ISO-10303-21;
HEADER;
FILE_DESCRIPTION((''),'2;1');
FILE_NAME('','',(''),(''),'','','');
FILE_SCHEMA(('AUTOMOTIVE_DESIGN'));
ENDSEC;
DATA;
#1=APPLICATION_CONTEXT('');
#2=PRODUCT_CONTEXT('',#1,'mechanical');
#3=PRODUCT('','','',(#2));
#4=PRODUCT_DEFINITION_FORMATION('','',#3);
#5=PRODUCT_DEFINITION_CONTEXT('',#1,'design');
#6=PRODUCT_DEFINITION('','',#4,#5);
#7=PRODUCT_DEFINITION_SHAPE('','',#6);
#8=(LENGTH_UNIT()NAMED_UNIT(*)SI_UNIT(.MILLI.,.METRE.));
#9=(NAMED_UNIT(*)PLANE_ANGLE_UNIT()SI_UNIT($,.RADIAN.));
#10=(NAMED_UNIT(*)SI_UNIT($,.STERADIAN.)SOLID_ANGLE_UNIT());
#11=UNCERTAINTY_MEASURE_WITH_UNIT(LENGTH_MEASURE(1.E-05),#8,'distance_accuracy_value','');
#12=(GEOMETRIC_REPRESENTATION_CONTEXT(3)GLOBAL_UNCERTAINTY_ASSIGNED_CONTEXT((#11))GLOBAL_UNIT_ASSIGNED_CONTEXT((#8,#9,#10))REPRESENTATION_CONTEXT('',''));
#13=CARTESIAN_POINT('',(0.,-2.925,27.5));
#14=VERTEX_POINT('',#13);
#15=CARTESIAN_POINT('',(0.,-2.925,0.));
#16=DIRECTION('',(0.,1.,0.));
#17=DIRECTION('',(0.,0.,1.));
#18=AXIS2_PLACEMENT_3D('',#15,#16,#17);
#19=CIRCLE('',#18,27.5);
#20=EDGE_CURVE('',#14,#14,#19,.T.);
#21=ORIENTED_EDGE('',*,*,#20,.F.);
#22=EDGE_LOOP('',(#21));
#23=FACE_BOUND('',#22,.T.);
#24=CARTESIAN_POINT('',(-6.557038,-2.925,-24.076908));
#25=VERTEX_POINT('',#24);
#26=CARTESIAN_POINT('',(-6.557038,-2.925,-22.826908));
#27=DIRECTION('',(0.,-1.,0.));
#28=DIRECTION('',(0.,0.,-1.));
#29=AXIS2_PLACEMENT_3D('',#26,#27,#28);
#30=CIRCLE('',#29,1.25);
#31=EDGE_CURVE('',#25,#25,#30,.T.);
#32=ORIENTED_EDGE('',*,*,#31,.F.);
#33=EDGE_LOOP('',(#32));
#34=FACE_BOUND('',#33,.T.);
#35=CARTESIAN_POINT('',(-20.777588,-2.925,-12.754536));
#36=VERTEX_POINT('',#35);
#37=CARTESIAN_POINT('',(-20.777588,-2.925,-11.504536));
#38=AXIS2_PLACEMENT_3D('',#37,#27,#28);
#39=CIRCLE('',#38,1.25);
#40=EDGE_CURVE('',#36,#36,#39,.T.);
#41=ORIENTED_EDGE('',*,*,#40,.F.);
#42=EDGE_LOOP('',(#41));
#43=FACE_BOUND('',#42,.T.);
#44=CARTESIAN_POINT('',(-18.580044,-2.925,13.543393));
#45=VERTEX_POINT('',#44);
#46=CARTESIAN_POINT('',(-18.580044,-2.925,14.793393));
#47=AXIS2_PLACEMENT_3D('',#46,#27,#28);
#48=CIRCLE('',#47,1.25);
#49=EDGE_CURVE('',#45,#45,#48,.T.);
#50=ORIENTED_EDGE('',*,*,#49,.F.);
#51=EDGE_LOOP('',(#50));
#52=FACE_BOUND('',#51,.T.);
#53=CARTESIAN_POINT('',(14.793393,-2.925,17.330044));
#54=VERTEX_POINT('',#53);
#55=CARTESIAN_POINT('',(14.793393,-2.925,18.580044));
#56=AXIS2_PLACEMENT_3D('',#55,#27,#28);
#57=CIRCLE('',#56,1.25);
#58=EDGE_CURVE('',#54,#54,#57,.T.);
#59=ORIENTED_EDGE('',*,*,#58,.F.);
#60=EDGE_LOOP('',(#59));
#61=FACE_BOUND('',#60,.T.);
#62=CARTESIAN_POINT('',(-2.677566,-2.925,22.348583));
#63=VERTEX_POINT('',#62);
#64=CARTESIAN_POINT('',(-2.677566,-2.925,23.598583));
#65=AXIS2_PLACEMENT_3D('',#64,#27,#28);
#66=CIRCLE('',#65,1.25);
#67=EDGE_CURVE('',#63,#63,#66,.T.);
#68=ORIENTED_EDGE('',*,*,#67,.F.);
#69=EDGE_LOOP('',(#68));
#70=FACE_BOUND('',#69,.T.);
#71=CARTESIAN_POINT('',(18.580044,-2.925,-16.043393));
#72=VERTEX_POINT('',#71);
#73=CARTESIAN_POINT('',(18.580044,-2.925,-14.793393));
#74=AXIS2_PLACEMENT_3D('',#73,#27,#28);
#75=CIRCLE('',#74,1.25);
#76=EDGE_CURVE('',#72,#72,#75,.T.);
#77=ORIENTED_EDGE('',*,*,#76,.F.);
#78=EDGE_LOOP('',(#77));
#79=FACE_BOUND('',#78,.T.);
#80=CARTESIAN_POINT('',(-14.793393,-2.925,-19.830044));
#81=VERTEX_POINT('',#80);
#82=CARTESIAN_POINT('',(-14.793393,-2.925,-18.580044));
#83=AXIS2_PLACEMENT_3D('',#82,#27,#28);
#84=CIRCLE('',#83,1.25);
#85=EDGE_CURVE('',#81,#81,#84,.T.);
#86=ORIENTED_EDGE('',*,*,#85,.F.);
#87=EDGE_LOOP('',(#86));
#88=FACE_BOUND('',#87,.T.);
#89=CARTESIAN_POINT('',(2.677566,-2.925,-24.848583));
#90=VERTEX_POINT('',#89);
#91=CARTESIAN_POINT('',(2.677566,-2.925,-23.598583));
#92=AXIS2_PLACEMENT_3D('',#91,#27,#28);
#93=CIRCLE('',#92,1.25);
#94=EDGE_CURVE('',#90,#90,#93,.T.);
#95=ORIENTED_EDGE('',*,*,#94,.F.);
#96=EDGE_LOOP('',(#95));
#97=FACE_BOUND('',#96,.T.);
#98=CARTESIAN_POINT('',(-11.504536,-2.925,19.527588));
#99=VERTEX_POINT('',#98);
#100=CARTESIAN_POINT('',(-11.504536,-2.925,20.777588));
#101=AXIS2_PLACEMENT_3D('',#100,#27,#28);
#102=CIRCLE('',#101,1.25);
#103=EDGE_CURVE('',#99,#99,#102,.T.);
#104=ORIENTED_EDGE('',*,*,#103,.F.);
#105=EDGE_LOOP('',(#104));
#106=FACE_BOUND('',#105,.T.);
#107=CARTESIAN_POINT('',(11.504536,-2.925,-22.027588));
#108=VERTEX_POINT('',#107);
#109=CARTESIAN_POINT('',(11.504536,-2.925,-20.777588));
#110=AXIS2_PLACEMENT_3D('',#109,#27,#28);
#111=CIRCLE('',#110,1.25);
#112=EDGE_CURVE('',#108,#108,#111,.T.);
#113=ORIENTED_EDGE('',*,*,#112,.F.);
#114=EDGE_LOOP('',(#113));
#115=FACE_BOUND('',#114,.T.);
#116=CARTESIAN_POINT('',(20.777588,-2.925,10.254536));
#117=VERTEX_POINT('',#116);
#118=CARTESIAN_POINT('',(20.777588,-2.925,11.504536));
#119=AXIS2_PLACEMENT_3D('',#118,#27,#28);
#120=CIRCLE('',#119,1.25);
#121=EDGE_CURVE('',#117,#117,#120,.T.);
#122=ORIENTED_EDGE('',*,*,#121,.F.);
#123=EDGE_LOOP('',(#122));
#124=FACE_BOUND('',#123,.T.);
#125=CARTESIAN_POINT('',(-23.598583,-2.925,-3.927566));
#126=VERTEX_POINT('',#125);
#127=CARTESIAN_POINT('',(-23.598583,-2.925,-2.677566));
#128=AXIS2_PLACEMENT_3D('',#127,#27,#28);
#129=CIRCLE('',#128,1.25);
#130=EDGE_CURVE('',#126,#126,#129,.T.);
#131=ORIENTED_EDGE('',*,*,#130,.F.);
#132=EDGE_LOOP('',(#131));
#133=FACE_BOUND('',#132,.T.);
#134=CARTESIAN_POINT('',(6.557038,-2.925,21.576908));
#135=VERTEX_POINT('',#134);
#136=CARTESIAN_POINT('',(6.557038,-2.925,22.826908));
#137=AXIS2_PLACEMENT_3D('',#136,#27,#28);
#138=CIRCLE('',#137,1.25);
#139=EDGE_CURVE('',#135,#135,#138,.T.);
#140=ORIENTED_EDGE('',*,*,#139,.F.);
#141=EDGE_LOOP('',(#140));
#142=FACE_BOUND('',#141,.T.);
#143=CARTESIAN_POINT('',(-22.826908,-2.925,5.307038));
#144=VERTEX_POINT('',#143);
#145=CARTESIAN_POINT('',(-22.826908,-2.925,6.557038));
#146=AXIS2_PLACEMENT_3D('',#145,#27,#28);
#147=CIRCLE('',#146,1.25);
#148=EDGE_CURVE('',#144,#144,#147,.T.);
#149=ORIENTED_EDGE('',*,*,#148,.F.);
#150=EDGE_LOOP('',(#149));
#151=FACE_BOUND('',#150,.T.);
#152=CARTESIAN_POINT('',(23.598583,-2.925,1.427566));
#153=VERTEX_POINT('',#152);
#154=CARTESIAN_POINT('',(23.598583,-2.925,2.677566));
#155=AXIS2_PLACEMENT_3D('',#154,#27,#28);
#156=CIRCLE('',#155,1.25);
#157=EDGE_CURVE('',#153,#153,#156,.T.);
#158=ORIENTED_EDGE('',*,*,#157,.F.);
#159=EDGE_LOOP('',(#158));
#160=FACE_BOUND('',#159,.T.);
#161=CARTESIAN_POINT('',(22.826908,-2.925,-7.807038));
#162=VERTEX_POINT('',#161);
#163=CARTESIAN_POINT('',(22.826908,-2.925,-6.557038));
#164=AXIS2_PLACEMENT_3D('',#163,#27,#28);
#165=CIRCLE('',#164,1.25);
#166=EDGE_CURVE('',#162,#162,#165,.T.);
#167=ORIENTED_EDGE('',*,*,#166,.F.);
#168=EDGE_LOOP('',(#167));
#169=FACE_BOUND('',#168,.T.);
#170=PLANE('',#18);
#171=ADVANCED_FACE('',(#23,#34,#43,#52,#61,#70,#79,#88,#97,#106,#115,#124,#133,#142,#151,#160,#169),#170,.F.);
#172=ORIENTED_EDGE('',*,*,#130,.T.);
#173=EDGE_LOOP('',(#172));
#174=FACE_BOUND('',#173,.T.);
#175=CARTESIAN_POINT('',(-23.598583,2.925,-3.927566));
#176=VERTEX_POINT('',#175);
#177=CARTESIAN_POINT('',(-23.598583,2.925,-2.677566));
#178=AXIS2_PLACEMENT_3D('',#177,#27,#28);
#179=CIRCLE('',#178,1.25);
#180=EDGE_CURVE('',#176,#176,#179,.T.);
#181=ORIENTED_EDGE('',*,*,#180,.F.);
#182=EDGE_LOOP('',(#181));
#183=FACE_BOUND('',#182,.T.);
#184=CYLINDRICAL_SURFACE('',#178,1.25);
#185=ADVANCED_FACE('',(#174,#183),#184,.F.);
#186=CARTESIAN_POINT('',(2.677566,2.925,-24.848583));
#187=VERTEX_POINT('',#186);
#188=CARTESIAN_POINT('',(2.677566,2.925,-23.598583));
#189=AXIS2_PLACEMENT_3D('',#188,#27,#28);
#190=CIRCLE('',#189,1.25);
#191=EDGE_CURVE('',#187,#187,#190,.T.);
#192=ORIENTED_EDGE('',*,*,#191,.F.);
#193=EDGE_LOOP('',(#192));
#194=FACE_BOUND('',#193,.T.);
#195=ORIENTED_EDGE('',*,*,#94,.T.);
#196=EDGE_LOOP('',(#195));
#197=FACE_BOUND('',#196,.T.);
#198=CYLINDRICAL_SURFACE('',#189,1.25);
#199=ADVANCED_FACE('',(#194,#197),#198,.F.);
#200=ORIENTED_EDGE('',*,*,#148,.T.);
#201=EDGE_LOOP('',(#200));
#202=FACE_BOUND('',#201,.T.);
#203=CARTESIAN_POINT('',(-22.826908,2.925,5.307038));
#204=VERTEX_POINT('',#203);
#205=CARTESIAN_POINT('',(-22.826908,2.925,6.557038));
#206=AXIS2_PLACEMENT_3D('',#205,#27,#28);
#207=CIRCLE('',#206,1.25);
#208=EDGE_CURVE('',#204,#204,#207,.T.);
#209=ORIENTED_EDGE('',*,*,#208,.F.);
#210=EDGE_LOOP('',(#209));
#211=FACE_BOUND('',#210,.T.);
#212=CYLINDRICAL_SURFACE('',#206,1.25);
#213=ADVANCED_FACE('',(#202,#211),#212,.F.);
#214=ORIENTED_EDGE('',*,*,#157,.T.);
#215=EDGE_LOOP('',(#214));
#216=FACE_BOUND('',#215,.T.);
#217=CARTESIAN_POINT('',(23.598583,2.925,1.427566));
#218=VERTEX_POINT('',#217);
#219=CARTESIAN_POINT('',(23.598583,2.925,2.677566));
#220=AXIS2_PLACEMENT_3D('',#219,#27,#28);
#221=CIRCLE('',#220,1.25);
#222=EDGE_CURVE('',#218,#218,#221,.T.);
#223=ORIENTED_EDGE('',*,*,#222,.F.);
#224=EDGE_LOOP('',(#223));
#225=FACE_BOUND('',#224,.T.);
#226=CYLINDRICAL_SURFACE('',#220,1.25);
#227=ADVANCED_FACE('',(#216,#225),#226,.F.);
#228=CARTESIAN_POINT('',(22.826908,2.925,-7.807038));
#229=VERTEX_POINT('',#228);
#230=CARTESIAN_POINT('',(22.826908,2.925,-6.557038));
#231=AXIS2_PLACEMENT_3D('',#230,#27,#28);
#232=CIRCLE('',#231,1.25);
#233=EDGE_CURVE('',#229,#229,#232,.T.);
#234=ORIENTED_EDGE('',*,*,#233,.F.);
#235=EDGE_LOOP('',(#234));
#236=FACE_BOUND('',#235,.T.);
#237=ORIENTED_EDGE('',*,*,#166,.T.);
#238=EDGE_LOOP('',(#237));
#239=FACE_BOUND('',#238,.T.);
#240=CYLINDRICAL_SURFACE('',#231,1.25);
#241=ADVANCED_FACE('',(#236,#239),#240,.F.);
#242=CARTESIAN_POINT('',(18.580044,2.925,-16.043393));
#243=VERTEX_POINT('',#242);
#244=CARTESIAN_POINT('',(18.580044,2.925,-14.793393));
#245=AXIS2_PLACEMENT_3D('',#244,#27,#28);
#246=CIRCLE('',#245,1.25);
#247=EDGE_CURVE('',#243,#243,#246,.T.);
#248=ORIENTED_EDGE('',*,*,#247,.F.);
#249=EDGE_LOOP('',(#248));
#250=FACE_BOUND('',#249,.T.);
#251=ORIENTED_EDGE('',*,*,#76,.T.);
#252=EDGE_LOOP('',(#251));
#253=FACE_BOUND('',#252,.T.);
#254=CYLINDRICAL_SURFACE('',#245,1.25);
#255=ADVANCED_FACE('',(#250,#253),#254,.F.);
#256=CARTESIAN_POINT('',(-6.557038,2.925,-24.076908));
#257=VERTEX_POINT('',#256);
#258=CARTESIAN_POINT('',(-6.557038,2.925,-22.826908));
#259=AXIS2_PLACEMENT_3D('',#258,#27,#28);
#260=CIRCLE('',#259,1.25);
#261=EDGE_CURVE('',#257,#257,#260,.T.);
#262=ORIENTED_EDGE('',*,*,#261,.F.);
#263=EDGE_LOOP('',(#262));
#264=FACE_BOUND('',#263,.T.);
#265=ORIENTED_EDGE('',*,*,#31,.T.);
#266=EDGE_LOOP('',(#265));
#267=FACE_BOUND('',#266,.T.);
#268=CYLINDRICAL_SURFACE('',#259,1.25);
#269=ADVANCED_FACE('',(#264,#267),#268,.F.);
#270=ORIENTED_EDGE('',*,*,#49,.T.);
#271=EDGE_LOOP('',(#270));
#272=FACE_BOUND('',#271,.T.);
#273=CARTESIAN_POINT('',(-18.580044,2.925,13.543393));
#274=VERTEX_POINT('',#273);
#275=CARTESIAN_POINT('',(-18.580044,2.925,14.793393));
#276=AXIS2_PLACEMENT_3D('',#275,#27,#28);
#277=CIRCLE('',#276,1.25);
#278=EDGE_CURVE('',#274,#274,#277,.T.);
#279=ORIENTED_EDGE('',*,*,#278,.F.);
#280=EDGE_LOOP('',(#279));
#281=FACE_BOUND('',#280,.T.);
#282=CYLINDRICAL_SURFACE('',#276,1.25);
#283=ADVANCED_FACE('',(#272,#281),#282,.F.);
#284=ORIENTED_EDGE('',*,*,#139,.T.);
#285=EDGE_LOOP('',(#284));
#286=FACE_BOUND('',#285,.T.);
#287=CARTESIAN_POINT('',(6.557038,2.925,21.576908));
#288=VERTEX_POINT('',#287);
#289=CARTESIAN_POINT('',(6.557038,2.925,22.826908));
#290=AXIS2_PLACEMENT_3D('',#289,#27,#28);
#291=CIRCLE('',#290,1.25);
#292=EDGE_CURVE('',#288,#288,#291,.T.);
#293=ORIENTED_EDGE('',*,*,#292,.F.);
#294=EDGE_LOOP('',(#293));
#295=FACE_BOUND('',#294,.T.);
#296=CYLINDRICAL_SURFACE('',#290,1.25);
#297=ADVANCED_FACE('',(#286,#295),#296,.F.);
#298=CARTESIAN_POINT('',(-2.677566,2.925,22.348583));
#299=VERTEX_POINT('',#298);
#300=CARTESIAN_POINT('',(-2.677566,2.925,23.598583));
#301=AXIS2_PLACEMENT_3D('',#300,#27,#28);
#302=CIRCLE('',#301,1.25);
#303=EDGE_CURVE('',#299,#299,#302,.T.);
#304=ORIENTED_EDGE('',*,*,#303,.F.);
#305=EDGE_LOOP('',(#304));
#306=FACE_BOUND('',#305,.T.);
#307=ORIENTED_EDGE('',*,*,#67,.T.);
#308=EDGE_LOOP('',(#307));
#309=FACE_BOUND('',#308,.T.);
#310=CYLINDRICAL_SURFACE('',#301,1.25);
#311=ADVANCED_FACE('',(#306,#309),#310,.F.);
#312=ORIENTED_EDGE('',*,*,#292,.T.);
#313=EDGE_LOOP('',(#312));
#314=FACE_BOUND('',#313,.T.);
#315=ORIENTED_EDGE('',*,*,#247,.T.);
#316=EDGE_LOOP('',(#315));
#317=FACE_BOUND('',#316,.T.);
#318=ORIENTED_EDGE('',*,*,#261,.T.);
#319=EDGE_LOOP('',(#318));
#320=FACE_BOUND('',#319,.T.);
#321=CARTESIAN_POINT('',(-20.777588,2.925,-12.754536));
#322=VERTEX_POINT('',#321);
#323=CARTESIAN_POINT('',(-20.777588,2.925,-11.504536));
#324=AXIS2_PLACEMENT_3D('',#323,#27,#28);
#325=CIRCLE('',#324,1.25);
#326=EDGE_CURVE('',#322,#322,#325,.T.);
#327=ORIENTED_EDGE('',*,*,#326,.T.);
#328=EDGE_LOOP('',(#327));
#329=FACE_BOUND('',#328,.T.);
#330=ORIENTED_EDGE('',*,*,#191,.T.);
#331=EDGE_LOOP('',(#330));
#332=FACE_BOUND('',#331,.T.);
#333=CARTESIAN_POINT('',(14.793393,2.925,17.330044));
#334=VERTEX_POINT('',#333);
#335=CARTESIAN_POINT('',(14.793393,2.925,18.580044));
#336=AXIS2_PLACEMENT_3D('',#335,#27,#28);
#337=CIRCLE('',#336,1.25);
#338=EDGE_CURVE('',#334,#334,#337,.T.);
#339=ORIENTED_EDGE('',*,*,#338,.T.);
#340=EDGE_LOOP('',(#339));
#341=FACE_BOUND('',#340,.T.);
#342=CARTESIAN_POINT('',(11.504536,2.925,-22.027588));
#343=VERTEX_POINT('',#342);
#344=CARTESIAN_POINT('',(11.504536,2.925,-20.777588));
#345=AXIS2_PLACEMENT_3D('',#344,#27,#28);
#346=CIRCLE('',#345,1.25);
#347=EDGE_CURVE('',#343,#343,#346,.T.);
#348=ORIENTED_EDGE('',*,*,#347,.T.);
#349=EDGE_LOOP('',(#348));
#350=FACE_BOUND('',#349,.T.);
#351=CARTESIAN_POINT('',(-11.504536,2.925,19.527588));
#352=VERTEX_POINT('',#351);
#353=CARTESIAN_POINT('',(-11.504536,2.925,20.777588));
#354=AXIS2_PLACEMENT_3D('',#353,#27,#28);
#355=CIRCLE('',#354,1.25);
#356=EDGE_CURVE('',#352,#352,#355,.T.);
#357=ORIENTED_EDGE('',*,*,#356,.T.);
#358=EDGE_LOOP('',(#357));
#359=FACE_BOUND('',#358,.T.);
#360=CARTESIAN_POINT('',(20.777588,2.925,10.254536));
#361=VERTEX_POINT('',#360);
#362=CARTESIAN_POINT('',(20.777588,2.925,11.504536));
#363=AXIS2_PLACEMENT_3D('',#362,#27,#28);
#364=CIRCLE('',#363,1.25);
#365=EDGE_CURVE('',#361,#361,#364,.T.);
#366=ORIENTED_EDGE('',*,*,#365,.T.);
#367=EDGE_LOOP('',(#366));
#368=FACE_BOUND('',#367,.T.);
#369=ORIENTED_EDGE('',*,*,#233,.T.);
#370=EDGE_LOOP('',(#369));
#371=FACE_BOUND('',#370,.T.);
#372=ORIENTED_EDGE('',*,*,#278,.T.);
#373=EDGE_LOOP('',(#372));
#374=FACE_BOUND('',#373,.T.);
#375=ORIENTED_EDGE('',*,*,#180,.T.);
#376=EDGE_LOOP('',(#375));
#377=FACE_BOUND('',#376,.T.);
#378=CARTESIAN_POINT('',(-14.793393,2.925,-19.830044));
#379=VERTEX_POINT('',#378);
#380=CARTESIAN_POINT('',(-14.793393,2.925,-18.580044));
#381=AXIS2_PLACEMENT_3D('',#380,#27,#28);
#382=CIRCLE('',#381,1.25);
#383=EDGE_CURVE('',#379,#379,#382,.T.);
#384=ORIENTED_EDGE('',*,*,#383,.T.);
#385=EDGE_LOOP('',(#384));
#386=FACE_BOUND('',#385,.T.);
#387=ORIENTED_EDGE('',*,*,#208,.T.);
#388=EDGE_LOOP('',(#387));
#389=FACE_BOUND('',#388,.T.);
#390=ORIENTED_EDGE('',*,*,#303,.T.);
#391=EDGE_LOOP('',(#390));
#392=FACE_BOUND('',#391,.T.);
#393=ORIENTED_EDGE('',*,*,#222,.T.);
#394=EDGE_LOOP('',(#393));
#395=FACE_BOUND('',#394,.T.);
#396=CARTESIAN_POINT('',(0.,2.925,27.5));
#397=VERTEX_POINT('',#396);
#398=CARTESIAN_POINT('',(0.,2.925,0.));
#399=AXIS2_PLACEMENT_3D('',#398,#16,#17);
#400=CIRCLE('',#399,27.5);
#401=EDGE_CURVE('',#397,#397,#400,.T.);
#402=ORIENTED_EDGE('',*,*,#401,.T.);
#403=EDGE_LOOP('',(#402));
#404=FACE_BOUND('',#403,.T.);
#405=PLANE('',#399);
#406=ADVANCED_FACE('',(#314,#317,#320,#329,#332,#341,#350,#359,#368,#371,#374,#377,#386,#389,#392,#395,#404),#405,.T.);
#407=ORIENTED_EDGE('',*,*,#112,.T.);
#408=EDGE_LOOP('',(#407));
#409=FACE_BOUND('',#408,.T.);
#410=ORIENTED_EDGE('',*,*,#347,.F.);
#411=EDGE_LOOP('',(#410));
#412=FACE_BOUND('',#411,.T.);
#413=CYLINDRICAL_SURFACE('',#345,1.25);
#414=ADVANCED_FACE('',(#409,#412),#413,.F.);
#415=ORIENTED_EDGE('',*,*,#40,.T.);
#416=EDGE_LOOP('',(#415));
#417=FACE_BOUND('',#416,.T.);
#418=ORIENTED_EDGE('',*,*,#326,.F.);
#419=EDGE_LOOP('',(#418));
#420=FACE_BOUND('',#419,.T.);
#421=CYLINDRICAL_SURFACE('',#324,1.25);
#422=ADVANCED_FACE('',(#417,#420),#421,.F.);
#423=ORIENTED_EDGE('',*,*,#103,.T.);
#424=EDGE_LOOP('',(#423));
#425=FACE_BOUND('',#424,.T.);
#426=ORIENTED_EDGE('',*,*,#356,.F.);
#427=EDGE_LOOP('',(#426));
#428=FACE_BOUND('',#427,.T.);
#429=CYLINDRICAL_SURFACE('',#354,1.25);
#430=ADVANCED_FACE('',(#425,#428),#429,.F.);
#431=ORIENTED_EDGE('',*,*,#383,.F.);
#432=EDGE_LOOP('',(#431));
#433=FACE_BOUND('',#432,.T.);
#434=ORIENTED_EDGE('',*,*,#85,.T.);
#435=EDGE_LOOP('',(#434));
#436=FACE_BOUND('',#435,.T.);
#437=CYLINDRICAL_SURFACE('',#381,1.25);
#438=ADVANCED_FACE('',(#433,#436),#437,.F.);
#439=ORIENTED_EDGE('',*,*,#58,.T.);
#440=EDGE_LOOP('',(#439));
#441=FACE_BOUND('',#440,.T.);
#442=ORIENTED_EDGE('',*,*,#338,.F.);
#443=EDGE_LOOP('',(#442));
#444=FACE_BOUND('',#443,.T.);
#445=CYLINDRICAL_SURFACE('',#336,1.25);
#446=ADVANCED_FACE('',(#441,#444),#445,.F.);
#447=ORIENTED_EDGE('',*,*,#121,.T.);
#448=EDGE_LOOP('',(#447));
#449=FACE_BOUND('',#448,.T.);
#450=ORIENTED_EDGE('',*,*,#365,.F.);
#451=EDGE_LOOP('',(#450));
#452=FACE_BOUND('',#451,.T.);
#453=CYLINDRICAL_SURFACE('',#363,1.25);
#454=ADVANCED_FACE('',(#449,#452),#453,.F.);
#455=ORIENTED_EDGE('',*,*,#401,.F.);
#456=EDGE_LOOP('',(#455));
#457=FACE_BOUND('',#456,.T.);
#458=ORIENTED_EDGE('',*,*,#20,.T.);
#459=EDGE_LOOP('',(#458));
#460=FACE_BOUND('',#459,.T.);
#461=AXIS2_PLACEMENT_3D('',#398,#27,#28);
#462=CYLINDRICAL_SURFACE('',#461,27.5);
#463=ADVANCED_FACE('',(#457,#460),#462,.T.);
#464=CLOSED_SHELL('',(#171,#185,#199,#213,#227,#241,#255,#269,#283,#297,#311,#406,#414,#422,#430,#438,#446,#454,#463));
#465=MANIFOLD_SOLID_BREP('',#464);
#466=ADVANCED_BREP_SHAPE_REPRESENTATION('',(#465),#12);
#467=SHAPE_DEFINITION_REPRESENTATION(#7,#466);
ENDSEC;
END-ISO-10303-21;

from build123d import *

# Parameters (mm, degrees)
SKETCH1_R           = 27.5
BOSS_EXTRUDE1_DEPTH = 2.925
CUT_EXTRUDE1_DEPTH  = 40.328393051


with BuildPart() as part:
    # Sketch1 → Boss-Extrude1 (new, symmetric)
    with BuildSketch(Plane(origin=(0, 0, 0), x_dir=(1, 0, 0), z_dir=(0, 1, 0))):
        with Locations(Location((0, 0, 0), (0, 0, 270))):
            Circle(SKETCH1_R)
    extrude(amount=BOSS_EXTRUDE1_DEPTH, both=True)

    # Sketch2 → Cut-Extrude1 (cut, through all)
    with BuildSketch(Plane.XZ.offset(2.925)):
        with BuildLine():
            ThreePointArc((22.019698731, -5.602620776), (21.872491194, -7.364247848), (23.634118266, -7.511455385))
            ThreePointArc((23.634118266, -7.511455385), (23.781325803, -5.749828313), (22.019698731, -5.602620776))
        make_face()
        with BuildLine():
            ThreePointArc((22.791373624, 3.631983723), (22.644166087, 1.87035665), (24.405793159, 1.723149114))
            ThreePointArc((24.405793159, 1.723149114), (24.553000696, 3.484776186), (22.791373624, 3.631983723))
        make_face()
        with BuildLine():
            ThreePointArc((17.772833946, -13.838975667), (17.625626409, -15.600602739), (19.387253481, -15.747810276))
            ThreePointArc((19.387253481, -15.747810276), (19.534461018, -13.986183203), (17.772833946, -13.838975667))
        make_face()
        with BuildLine():
            ThreePointArc((10.697325934, -19.82317058), (10.550118397, -21.584797652), (12.311745469, -21.732005189))
            ThreePointArc((12.311745469, -21.732005189), (12.458953006, -19.970378117), (10.697325934, -19.82317058))
        make_face()
        with BuildLine():
            ThreePointArc((1.87035665, -22.644166087), (1.723149114, -24.405793159), (3.484776186, -24.553000696))
            ThreePointArc((3.484776186, -24.553000696), (3.631983723, -22.791373624), (1.87035665, -22.644166087))
        make_face()
        with BuildLine():
            ThreePointArc((-7.364247848, -21.872491194), (-7.511455385, -23.634118266), (-5.749828313, -23.781325803))
            ThreePointArc((-5.749828313, -23.781325803), (-5.602620776, -22.019698731), (-7.364247848, -21.872491194))
        make_face()
        with BuildLine():
            ThreePointArc((-15.600602739, -17.625626409), (-15.747810276, -19.387253481), (-13.986183203, -19.534461018))
            ThreePointArc((-13.986183203, -19.534461018), (-13.838975667, -17.772833946), (-15.600602739, -17.625626409))
        make_face()
        with BuildLine():
            ThreePointArc((-21.584797652, -10.550118397), (-21.732005189, -12.311745469), (-19.970378117, -12.458953006))
            ThreePointArc((-19.970378117, -12.458953006), (-19.82317058, -10.697325934), (-21.584797652, -10.550118397))
        make_face()
        with BuildLine():
            ThreePointArc((-24.405793159, -1.723149114), (-24.553000696, -3.484776186), (-22.791373624, -3.631983723))
            ThreePointArc((-22.791373624, -3.631983723), (-22.644166087, -1.87035665), (-24.405793159, -1.723149114))
        make_face()
        with BuildLine():
            ThreePointArc((-23.634118266, 7.511455385), (-23.781325803, 5.749828313), (-22.019698731, 5.602620776))
            ThreePointArc((-22.019698731, 5.602620776), (-21.872491194, 7.364247848), (-23.634118266, 7.511455385))
        make_face()
        with BuildLine():
            ThreePointArc((-19.387253481, 15.747810276), (-19.534461018, 13.986183203), (-17.772833946, 13.838975667))
            ThreePointArc((-17.772833946, 13.838975667), (-17.625626409, 15.600602739), (-19.387253481, 15.747810276))
        make_face()
        with BuildLine():
            ThreePointArc((-12.311745469, 21.732005189), (-12.458953006, 19.970378117), (-10.697325934, 19.82317058))
            ThreePointArc((-10.697325934, 19.82317058), (-10.550118397, 21.584797652), (-12.311745469, 21.732005189))
        make_face()
        with BuildLine():
            ThreePointArc((-3.484776186, 24.553000696), (-3.631983723, 22.791373624), (-1.87035665, 22.644166087))
            ThreePointArc((-1.87035665, 22.644166087), (-1.723149114, 24.405793159), (-3.484776186, 24.553000696))
        make_face()
        with BuildLine():
            ThreePointArc((5.749828313, 23.781325803), (5.602620776, 22.019698731), (7.364247848, 21.872491194))
            ThreePointArc((7.364247848, 21.872491194), (7.511455385, 23.634118266), (5.749828313, 23.781325803))
        make_face()
        with BuildLine():
            ThreePointArc((19.970378117, 12.458953006), (19.82317058, 10.697325934), (21.584797652, 10.550118397))
            ThreePointArc((21.584797652, 10.550118397), (21.732005189, 12.311745469), (19.970378117, 12.458953006))
        make_face()
        with BuildLine():
            ThreePointArc((13.986183203, 19.534461018), (13.838975667, 17.772833946), (15.600602739, 17.625626409))
            ThreePointArc((15.600602739, 17.625626409), (15.747810276, 19.387253481), (13.986183203, 19.534461018))
        make_face()
    extrude(amount=-CUT_EXTRUDE1_DEPTH, mode=Mode.SUBTRACT)


solid = part.part
